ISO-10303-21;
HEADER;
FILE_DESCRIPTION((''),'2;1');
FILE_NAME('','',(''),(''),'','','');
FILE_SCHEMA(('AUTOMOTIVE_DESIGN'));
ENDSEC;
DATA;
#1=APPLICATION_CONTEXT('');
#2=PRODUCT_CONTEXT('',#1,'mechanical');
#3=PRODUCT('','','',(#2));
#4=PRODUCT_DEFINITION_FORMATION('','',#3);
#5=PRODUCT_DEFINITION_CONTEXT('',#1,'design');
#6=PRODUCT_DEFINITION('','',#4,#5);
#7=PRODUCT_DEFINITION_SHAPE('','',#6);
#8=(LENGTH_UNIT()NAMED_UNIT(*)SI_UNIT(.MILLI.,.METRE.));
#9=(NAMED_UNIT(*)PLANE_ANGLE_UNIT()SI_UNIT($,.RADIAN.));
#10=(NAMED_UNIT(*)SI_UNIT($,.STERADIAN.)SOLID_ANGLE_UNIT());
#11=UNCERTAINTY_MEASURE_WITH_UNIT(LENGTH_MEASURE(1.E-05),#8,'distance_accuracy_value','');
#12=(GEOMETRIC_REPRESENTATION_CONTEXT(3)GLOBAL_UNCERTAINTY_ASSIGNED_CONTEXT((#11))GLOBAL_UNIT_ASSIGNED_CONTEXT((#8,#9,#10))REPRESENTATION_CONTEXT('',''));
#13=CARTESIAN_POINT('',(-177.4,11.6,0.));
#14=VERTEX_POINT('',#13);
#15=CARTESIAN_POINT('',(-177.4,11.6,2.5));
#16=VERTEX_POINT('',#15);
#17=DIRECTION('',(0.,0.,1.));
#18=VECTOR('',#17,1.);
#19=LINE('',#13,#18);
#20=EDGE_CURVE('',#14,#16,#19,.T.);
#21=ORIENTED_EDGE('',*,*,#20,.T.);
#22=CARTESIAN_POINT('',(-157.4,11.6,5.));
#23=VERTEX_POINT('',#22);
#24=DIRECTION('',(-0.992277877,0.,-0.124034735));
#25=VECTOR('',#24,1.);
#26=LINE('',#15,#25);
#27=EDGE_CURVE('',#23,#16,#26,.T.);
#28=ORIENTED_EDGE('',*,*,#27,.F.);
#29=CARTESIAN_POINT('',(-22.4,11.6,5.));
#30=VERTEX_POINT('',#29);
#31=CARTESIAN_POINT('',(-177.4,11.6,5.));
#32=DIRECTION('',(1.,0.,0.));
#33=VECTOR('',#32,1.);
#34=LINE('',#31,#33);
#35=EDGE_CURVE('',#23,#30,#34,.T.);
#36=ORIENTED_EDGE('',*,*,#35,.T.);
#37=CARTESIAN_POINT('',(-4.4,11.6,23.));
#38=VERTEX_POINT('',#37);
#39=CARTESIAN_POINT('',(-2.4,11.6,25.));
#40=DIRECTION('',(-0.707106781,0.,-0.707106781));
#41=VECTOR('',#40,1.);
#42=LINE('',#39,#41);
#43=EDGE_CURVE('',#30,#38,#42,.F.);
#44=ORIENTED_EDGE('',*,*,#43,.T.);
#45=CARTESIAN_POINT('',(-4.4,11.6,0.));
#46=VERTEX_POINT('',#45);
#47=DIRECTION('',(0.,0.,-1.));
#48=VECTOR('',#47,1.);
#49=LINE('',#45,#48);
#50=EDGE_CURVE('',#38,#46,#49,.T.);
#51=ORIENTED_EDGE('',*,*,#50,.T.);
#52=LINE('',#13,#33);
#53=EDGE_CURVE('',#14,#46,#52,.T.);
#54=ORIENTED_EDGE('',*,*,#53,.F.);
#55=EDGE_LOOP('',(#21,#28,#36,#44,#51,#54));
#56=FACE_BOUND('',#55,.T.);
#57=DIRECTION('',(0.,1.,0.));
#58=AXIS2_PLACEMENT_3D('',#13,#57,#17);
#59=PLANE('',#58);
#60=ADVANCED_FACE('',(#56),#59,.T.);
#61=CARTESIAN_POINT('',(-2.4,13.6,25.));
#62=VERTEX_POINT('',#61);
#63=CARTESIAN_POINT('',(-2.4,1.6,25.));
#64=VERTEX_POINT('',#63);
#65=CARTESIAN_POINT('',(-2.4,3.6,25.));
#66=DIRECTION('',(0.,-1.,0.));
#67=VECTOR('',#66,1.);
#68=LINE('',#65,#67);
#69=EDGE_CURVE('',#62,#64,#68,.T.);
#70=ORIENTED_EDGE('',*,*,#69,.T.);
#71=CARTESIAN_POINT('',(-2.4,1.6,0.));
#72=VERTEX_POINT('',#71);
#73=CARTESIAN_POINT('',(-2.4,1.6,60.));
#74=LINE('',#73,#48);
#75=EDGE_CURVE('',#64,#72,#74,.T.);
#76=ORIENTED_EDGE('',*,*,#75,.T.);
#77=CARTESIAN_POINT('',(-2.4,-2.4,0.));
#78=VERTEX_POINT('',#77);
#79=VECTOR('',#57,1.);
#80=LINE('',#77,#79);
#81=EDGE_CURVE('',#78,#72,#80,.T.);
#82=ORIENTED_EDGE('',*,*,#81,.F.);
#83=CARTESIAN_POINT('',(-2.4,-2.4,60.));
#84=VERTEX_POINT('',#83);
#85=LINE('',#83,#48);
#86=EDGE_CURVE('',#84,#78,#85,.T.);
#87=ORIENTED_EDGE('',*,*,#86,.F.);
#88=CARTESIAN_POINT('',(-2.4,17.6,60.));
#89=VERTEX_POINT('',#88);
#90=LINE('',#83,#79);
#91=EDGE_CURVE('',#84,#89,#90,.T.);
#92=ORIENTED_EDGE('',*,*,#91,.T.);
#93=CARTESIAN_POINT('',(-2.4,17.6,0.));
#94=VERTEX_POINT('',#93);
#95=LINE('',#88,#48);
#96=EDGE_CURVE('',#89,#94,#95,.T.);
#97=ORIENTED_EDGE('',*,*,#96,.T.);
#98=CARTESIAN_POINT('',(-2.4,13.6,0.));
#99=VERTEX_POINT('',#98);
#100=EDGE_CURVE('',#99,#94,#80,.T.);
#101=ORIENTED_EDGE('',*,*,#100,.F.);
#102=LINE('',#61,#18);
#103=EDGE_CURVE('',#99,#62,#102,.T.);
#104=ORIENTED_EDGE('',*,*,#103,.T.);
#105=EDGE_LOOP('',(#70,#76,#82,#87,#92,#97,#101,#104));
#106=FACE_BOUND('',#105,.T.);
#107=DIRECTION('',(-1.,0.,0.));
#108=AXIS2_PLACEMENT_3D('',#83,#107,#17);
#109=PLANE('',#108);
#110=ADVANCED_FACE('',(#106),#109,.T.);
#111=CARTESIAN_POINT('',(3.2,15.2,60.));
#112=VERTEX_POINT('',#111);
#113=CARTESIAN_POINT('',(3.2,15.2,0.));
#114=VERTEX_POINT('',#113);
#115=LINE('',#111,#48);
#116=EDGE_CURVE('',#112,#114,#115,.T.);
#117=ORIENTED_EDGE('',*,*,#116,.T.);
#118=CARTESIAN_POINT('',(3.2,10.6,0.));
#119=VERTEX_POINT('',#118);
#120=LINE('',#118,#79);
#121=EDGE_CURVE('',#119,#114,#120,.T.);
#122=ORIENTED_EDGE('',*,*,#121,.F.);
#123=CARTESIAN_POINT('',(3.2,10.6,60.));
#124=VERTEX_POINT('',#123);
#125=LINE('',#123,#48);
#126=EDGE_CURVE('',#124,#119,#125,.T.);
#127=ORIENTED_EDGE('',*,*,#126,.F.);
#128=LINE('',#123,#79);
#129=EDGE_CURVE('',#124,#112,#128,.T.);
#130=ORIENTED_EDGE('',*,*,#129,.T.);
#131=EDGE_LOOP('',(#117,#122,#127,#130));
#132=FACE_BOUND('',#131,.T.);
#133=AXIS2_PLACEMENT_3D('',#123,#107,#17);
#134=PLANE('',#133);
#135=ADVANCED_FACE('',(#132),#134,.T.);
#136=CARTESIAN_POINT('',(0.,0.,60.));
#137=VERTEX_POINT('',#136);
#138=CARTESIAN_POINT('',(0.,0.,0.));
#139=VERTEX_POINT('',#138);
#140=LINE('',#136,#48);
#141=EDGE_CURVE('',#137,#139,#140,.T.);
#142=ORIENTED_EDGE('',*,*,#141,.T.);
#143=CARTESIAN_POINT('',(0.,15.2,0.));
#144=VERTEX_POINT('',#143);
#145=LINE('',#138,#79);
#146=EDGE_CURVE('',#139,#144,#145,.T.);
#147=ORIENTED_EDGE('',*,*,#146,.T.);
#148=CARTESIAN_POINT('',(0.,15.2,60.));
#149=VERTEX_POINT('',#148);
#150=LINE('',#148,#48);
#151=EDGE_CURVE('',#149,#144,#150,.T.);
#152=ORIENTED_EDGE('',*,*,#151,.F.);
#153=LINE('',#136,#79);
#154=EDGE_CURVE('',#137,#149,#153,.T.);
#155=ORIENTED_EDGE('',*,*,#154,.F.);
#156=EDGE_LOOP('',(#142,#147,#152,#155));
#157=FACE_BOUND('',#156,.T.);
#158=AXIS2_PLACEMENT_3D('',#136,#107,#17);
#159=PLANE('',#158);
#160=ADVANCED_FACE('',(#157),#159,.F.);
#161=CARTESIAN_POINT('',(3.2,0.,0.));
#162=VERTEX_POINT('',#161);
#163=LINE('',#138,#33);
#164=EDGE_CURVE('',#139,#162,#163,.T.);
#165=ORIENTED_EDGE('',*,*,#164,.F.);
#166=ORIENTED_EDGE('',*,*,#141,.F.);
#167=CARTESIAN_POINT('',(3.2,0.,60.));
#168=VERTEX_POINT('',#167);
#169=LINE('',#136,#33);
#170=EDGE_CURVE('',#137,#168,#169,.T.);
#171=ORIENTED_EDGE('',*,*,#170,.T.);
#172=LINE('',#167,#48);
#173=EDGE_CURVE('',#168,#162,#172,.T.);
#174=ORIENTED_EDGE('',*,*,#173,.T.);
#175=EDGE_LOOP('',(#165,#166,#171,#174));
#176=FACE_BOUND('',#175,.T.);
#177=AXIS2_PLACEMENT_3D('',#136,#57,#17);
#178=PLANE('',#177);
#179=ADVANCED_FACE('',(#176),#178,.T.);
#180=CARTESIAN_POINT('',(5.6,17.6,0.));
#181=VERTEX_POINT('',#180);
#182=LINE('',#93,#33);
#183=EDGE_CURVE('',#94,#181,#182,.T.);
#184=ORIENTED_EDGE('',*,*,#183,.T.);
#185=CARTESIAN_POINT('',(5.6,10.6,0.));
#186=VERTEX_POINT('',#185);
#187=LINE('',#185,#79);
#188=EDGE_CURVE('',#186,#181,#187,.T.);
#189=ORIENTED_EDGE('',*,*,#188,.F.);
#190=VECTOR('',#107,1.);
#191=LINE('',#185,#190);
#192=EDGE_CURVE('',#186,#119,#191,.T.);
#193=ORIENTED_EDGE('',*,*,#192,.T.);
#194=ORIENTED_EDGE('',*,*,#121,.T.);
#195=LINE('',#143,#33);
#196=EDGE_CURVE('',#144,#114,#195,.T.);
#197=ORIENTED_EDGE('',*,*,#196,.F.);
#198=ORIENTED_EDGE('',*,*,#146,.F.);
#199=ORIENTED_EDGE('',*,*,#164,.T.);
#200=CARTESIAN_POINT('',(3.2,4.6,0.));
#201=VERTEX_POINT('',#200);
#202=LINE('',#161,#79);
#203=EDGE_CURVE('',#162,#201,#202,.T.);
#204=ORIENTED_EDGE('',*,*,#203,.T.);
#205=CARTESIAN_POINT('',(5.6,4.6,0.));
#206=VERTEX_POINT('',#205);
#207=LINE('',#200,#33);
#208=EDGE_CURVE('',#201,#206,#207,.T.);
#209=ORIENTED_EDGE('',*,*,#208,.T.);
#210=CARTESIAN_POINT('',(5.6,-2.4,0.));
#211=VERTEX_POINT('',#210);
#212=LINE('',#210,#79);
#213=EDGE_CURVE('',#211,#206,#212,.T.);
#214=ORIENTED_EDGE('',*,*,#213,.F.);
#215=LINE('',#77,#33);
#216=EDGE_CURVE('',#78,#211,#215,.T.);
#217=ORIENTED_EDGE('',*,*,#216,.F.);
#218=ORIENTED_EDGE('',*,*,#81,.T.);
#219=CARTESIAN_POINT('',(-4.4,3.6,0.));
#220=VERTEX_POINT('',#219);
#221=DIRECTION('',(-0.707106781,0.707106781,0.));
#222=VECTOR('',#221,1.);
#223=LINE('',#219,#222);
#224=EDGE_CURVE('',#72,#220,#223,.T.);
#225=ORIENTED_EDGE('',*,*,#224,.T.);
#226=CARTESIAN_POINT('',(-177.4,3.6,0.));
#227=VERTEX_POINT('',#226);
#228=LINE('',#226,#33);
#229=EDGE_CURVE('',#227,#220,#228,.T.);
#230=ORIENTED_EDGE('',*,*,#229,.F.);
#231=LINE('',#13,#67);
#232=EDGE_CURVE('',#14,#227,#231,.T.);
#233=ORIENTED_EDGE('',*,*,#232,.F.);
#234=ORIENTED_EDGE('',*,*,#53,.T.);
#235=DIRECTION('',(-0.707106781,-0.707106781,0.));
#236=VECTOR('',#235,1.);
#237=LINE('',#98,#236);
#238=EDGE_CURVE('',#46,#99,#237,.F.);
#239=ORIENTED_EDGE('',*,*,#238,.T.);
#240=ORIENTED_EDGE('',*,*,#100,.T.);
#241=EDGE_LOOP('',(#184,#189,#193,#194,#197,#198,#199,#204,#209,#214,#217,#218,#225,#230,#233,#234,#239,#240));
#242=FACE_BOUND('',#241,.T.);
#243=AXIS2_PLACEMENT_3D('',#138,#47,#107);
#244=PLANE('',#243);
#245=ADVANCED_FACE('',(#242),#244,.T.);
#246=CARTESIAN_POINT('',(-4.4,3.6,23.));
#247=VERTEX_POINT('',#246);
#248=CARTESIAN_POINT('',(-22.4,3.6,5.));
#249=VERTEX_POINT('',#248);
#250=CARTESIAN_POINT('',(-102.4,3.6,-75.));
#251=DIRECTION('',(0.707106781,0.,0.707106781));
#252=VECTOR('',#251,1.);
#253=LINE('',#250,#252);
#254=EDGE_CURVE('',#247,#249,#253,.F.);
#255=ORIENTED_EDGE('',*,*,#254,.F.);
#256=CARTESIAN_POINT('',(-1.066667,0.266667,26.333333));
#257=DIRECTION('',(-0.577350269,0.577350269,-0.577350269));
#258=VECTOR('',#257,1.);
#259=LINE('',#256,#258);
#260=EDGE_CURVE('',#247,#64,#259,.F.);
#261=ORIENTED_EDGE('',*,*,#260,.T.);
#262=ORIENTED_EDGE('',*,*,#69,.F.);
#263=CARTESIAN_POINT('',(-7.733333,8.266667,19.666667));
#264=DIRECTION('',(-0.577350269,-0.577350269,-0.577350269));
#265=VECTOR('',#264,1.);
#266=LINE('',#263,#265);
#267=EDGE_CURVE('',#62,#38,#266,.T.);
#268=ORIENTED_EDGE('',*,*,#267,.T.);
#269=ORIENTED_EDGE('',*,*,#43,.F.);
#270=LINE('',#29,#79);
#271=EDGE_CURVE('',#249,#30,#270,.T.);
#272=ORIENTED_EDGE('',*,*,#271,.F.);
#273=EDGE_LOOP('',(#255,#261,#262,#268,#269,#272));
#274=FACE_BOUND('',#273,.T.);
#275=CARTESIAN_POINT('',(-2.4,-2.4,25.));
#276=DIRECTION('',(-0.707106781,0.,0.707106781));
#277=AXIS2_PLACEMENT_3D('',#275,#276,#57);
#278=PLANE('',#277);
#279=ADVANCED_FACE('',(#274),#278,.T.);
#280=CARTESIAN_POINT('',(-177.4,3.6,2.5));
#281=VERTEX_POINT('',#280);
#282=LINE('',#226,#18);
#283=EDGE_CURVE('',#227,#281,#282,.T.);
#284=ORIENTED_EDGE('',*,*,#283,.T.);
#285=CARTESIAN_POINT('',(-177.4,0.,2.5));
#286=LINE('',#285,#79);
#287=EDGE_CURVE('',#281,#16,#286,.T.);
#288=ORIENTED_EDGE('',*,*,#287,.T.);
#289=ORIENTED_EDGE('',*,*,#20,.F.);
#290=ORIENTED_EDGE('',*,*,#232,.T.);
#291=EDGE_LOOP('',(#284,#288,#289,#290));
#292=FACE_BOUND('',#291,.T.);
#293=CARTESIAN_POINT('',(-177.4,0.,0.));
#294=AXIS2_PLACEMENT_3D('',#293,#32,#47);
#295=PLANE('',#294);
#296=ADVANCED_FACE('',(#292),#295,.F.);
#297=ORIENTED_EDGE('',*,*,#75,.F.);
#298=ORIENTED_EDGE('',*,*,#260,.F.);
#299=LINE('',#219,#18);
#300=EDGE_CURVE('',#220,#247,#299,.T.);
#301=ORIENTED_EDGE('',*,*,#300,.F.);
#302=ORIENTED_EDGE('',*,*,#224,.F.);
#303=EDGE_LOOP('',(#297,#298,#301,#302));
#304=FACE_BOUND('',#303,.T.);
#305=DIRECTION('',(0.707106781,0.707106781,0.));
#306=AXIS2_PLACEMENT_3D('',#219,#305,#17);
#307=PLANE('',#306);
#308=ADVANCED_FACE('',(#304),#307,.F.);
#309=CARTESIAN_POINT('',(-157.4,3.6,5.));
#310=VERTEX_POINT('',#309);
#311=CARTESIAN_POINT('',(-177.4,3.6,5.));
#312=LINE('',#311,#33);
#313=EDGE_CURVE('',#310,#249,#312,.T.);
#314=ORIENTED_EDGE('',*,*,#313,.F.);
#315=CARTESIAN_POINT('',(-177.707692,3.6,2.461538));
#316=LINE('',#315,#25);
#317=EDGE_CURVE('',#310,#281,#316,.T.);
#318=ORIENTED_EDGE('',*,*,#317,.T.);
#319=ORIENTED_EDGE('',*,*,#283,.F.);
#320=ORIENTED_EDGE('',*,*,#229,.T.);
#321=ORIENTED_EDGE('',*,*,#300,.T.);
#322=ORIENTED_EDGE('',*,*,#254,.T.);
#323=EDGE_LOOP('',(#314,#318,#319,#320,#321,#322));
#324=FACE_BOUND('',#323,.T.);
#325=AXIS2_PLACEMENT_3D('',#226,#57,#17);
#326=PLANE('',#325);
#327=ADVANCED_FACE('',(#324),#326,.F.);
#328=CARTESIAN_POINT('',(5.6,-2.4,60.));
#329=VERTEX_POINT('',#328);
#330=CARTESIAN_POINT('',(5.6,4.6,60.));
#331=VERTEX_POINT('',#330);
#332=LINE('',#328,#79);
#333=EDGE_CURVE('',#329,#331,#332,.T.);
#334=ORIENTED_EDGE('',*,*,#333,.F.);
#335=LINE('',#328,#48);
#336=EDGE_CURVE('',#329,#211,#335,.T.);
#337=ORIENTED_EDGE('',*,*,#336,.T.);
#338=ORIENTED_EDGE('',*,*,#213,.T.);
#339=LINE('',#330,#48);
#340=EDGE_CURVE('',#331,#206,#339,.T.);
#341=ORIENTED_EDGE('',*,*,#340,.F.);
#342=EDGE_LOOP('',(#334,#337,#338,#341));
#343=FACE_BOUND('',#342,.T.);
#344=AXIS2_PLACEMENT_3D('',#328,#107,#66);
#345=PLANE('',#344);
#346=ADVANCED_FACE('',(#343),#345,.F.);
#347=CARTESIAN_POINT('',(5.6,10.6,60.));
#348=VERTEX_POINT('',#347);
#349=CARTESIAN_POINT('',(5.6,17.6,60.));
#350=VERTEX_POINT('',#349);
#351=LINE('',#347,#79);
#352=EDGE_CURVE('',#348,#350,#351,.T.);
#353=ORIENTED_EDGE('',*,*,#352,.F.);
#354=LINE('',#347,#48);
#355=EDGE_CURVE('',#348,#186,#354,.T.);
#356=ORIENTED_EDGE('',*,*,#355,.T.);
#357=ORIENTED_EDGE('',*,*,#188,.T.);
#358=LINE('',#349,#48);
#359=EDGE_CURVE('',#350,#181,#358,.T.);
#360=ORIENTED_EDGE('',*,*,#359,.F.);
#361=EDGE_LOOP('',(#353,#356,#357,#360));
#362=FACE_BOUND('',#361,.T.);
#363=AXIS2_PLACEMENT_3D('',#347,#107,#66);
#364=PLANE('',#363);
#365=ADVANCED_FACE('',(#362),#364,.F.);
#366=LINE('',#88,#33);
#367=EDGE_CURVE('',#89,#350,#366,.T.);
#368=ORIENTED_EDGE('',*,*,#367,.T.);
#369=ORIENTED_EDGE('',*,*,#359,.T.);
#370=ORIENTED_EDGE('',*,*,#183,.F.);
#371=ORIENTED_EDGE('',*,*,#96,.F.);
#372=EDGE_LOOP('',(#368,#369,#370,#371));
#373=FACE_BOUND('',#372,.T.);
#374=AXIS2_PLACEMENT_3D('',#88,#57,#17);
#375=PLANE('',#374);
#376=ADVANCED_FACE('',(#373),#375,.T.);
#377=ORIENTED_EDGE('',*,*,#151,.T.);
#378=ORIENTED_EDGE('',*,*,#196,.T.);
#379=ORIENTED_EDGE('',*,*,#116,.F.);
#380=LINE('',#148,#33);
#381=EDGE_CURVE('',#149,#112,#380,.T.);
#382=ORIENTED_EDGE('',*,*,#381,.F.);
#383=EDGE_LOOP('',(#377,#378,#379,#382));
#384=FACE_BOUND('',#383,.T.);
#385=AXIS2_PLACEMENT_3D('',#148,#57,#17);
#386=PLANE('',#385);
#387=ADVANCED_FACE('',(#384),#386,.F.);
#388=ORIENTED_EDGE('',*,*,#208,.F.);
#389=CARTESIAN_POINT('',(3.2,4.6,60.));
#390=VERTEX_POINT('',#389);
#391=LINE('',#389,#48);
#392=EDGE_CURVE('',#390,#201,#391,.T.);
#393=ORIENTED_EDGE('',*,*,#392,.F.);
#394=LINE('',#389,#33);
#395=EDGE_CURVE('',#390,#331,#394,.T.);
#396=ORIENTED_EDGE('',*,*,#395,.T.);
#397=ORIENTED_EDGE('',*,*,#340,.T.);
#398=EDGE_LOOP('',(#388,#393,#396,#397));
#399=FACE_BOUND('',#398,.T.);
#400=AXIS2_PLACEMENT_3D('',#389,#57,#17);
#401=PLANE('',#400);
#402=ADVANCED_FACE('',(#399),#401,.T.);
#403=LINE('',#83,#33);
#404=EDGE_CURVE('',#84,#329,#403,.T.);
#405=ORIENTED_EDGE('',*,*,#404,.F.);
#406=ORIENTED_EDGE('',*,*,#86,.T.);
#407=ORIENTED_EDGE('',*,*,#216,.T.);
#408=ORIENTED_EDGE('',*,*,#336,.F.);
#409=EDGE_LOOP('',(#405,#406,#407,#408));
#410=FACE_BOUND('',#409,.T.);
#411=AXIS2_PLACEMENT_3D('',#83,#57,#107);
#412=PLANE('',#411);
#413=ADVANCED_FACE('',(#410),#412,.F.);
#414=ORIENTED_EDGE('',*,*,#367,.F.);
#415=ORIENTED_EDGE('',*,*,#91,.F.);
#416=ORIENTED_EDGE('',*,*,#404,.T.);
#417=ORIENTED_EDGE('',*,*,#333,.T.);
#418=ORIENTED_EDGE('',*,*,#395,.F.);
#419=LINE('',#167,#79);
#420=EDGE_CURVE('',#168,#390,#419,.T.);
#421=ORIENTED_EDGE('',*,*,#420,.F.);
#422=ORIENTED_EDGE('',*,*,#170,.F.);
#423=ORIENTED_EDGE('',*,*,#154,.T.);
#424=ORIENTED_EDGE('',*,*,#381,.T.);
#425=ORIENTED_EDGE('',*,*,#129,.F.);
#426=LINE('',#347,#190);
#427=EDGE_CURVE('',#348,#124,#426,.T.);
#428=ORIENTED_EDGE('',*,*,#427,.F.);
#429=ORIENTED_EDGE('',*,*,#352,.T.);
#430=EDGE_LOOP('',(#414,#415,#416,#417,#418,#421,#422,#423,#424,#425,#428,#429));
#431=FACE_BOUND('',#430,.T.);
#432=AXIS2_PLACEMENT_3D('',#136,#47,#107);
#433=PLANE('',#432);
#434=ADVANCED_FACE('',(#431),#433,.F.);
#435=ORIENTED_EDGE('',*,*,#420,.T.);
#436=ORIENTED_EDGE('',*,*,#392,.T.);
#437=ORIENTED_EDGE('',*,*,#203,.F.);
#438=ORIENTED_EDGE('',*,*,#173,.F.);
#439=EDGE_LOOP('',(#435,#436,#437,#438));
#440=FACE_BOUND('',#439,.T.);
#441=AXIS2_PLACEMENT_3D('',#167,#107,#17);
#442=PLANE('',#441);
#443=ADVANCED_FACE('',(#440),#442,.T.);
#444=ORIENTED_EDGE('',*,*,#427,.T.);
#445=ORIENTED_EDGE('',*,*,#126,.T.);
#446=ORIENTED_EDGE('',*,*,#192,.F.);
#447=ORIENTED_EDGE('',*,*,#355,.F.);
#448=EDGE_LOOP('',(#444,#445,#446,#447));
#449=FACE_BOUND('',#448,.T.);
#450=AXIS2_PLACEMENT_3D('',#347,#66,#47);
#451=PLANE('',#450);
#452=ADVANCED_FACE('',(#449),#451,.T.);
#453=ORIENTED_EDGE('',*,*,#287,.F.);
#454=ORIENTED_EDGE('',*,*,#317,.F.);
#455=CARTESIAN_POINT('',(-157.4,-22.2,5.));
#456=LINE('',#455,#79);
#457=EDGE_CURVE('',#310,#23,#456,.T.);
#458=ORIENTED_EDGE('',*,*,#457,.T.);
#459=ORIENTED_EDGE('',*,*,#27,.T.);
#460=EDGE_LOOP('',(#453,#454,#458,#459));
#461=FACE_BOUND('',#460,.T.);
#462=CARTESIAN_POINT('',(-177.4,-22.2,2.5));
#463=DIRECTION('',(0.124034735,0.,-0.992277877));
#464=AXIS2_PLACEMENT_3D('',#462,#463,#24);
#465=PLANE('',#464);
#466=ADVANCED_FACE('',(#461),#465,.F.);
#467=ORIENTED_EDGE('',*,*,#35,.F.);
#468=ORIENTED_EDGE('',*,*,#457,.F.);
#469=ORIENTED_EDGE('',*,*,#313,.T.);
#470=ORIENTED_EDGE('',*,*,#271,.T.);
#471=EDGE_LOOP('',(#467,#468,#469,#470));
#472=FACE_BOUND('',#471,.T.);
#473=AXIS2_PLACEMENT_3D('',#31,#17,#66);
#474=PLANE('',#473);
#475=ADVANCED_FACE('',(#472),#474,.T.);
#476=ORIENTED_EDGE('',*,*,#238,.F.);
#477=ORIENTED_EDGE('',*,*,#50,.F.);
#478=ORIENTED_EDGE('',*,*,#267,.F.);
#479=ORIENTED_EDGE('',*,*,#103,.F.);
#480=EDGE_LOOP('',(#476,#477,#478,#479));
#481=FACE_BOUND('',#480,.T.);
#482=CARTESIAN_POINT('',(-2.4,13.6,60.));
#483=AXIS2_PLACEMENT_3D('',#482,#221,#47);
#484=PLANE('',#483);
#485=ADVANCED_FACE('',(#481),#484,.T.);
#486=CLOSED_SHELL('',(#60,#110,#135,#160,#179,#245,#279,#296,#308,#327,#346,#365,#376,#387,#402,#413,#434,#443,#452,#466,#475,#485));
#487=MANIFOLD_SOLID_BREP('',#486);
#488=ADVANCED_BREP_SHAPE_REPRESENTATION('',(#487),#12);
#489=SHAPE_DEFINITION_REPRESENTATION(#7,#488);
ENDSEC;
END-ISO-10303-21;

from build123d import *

# Parameters (mm, degrees)
EXTRUDE_1_DEPTH     = 60
SKETCH_2_W          = 5
SKETCH_2_H          = 8
EXTRUDE_2_DEPTH     = 175
CHAMFER_1_SIZE      = 20
CUT_EXTRUDE_1_DEPTH = 33.8
CHAMFER_2_SIZE      = 2


with BuildPart() as part:
    # 草图1 → 凸台-拉伸1 (new body)
    with BuildSketch(Plane.XY):
        Polygon((5.6, 10.6), (3.2, 10.6), (3.2, 15.2), (0, 15.2), (0, 0), (3.2, 0), (3.2, 4.6), (5.6, 4.6), (5.6, -2.4), (-2.4, -2.4), (-2.4, 17.6), (5.6, 17.6), align=None)
    extrude(amount=EXTRUDE_1_DEPTH)

    # 草图2 → 凸台-拉伸2 (add)
    with BuildSketch(Plane.ZY.offset(2.4)):
        with Locations((2.5, 7.6)):
            Rectangle(SKETCH_2_W, SKETCH_2_H)
    extrude(amount=EXTRUDE_2_DEPTH)

    # 倒角1
    chamfer_1_edges = [part.edges().sort_by_distance(p)[0] for p in [
        (-2.4, 7.6, 5),
    ]]
    chamfer(chamfer_1_edges, length=CHAMFER_1_SIZE)

    # 草图3 → 切除-拉伸1 (cut)
    with BuildSketch(Plane(origin=(0, 11.6, 0), x_dir=(1, 0, 0), z_dir=(0, 1, 0))):
        Polygon((-177.4, -2.5), (-157.4, -5), (-177.4, -5), align=None)
    extrude(amount=-CUT_EXTRUDE_1_DEPTH, mode=Mode.SUBTRACT)

    # 倒角2
    chamfer_2_edges = [part.edges().sort_by_distance(p)[0] for p in [
        (-2.4, 3.6, 12.5),
        (-2.4, 11.6, 12.5),
    ]]
    chamfer(chamfer_2_edges, length=CHAMFER_2_SIZE)


solid = part.part
